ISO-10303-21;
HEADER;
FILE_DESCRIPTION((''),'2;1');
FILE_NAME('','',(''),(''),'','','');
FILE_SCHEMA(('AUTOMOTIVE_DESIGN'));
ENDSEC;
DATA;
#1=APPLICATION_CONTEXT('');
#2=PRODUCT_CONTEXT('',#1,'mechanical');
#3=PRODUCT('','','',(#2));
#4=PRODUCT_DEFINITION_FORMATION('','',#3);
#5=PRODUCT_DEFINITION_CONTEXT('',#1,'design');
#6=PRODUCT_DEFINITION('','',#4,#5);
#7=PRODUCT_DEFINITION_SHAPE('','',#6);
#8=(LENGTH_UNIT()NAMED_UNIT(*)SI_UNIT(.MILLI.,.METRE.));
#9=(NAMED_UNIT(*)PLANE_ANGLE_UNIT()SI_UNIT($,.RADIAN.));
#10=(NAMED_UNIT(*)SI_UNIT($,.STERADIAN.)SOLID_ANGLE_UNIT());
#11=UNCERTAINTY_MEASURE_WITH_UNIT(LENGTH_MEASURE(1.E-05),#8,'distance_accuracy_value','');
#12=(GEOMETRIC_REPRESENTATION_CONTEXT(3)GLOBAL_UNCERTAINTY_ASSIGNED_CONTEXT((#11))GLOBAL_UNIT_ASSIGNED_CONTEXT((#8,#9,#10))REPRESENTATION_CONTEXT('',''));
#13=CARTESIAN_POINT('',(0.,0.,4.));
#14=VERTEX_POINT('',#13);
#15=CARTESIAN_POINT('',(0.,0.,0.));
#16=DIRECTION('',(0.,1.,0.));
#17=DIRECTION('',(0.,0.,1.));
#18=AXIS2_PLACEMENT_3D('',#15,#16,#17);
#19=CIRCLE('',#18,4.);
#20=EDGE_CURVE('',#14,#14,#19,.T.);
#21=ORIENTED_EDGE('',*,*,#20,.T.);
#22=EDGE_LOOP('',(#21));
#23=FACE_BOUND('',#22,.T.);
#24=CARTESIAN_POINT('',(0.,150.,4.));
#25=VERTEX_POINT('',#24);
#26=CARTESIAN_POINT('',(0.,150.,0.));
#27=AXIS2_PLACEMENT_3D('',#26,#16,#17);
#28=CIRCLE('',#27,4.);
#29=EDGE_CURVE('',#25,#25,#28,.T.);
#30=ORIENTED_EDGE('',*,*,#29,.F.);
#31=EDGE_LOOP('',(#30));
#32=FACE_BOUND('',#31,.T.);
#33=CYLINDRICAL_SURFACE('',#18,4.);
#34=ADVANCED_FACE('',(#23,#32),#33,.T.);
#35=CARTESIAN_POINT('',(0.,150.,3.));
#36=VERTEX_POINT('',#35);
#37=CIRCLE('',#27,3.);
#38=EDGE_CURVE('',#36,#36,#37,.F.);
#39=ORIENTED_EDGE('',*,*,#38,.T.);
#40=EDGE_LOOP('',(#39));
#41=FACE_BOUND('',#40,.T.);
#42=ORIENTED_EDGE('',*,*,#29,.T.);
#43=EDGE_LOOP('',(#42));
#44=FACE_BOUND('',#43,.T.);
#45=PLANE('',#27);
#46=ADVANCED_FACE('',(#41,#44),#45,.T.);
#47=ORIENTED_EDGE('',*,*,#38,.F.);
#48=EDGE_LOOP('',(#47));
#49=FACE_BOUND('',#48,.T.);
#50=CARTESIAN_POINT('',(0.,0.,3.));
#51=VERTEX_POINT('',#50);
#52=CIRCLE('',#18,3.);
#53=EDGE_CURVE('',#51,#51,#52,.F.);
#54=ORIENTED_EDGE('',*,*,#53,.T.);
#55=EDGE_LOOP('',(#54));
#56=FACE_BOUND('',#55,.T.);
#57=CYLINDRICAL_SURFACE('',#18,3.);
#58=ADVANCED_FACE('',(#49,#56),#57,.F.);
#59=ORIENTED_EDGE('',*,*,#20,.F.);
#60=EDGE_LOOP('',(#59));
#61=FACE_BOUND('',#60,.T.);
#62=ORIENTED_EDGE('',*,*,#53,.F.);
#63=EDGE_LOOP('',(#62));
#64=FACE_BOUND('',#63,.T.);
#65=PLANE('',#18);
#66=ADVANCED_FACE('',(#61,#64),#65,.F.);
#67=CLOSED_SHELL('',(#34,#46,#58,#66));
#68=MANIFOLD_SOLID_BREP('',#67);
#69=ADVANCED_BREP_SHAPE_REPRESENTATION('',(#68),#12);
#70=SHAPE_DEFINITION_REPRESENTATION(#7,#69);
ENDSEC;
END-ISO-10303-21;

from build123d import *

# Parameters (mm, degrees)
SKETCH2_R   = 4
SKETCH2_R_2 = 3


with BuildPart() as part:
    # Sweep1: sweep along a path in Sketch1
    with BuildLine(Plane.XY) as sweep1_path:
        Line((0, 0), (0, 150))
    # Sketch2 → Sweep1 (sweep)
    with BuildSketch(Plane(origin=(0, 0, 0), x_dir=(1, 0, 0), z_dir=(0, 1, 0))):
        Circle(SKETCH2_R)
        Circle(SKETCH2_R_2, mode=Mode.SUBTRACT)
    sweep(path=sweep1_path.line)


solid = part.part
